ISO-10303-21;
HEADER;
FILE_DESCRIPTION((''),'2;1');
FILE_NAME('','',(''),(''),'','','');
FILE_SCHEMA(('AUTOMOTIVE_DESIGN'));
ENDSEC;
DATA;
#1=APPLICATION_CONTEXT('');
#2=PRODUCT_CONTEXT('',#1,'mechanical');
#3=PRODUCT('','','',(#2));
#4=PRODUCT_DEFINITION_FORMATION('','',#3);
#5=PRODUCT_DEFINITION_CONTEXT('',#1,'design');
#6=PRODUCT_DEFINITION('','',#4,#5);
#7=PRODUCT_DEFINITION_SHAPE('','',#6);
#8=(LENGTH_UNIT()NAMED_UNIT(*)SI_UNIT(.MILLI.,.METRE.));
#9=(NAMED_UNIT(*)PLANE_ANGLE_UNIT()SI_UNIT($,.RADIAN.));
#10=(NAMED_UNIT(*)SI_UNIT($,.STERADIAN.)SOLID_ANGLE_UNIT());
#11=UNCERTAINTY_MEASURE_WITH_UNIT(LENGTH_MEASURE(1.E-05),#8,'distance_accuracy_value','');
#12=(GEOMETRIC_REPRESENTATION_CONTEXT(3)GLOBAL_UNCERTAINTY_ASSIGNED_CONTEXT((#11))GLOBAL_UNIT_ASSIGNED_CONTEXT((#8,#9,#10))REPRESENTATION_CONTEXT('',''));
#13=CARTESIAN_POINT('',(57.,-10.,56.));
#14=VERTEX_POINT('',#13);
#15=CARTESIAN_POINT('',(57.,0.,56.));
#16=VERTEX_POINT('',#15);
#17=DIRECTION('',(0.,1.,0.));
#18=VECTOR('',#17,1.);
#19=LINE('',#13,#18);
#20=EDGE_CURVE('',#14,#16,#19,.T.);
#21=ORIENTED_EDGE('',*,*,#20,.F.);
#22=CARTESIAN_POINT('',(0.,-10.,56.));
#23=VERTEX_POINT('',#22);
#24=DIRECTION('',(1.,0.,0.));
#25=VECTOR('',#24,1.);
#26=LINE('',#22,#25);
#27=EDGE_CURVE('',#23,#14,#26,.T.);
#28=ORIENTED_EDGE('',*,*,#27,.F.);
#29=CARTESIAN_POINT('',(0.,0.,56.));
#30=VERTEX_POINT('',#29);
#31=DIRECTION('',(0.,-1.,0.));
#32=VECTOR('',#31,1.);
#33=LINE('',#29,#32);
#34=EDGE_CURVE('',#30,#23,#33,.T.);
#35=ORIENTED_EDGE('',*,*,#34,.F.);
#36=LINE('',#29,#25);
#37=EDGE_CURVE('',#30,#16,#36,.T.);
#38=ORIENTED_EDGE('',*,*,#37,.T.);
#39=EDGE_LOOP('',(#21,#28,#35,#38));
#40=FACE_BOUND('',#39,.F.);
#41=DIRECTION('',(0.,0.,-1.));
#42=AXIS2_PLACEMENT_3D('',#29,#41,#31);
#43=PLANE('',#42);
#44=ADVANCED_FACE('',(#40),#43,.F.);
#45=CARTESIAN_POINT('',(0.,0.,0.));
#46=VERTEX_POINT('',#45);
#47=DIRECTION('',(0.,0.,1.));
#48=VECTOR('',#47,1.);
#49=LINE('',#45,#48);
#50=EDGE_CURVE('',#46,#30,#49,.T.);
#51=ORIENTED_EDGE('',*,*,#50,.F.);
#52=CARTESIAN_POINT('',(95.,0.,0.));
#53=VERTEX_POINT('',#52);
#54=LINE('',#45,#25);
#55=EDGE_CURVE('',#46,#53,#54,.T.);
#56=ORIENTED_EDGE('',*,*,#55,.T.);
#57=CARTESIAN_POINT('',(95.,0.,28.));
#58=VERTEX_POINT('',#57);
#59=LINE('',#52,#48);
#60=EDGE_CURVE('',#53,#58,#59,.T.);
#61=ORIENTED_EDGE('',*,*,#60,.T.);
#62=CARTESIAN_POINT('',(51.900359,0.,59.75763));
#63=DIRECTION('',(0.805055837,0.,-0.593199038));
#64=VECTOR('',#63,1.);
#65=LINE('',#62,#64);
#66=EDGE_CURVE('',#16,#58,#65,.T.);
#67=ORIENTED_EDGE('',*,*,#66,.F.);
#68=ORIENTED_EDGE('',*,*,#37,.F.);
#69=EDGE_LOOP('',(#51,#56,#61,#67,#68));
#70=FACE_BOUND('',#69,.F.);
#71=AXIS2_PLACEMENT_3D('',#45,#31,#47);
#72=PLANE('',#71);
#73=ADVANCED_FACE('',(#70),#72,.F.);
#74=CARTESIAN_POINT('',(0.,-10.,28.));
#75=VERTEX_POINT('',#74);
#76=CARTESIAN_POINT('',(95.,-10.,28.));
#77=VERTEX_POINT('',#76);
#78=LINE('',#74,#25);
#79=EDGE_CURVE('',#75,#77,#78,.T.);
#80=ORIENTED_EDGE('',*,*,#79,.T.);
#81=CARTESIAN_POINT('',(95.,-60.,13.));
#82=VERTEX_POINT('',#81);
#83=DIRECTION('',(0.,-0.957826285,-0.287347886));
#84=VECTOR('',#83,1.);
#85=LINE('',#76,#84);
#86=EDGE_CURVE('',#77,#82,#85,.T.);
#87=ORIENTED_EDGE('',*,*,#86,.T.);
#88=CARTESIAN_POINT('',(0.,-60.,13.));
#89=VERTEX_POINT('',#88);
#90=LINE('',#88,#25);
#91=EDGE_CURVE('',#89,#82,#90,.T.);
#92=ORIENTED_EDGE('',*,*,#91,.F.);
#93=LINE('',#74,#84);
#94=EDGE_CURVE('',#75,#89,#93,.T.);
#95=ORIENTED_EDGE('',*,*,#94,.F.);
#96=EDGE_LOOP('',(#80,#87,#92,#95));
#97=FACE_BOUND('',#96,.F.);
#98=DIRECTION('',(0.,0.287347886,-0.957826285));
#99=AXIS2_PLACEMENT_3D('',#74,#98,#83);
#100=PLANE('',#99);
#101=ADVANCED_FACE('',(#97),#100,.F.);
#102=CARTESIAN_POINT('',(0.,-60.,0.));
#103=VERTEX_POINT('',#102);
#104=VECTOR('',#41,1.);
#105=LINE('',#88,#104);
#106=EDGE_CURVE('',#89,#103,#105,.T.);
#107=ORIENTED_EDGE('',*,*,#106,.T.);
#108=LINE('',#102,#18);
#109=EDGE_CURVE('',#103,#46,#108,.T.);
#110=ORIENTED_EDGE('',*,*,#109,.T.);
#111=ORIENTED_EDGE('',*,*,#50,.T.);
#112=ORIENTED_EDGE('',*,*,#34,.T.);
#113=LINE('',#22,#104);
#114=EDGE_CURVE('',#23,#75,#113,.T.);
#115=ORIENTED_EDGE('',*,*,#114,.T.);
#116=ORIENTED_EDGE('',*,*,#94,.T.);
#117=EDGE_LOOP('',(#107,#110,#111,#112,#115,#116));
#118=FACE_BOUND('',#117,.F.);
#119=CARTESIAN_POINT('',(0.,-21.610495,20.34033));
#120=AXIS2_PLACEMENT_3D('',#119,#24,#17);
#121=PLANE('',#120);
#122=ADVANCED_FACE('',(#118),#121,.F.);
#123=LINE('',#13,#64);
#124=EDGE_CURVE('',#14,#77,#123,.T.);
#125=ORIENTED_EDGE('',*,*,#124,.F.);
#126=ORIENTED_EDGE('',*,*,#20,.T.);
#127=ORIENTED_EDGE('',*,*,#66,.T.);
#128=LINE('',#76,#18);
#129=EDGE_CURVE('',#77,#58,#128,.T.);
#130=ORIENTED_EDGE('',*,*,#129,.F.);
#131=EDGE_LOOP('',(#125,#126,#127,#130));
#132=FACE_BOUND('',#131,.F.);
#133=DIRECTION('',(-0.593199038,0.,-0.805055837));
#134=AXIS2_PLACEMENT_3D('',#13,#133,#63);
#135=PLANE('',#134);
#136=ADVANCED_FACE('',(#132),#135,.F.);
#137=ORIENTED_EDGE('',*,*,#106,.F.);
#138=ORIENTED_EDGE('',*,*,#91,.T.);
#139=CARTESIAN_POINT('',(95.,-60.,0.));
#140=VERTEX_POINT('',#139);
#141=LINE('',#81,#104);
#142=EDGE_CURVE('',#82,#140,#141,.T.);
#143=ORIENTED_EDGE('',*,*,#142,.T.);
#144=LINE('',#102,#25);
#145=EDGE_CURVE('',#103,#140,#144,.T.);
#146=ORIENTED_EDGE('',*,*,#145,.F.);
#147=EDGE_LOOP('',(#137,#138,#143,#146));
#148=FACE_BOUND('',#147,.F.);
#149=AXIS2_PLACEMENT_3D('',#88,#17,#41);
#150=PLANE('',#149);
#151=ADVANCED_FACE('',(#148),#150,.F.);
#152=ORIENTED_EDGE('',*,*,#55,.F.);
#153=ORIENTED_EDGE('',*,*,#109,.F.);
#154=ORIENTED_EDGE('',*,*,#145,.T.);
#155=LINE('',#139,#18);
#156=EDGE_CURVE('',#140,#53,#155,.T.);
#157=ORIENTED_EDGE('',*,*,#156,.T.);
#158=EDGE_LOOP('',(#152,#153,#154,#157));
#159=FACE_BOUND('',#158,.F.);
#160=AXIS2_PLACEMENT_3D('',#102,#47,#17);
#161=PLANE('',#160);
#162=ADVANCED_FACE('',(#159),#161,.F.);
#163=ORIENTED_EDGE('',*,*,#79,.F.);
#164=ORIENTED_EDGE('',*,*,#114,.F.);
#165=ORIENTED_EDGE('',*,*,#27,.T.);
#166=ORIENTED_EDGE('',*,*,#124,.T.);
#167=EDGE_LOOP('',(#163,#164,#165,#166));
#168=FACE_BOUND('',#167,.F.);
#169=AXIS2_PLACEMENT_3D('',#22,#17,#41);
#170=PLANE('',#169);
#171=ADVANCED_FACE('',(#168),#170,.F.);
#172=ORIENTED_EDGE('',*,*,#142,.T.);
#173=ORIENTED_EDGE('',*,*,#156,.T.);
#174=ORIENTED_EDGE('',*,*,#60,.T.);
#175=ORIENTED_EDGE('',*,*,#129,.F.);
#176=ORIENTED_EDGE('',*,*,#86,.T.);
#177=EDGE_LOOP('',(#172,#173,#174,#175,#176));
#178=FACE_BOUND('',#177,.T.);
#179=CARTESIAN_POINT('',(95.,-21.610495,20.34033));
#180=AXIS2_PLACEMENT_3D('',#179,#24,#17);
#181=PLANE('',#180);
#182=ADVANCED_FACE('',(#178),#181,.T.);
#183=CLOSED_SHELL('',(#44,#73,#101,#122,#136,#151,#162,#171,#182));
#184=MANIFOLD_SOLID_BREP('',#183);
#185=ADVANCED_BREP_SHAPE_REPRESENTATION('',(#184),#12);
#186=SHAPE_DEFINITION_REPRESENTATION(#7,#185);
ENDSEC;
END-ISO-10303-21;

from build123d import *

# Parameters (mm, degrees)
F1_DEPTH = 95
F3_DEPTH = 25


with BuildPart() as f1:
    # F0 (on Right) → F1 (new body)
    with BuildSketch(Plane.YZ):
        Polygon((-60, 0), (0, 0), (0, 56), (-10, 56), (-10, 28), (-60, 13), align=None)
    extrude(amount=F1_DEPTH)

    # F2 (on face) → F3 (cut)
    with BuildSketch(Plane.XZ.offset(10)):
        Polygon((95, 56), (57, 56), (95, 28), align=None)
    extrude(amount=-F3_DEPTH, mode=Mode.SUBTRACT)


solid = f1.part
